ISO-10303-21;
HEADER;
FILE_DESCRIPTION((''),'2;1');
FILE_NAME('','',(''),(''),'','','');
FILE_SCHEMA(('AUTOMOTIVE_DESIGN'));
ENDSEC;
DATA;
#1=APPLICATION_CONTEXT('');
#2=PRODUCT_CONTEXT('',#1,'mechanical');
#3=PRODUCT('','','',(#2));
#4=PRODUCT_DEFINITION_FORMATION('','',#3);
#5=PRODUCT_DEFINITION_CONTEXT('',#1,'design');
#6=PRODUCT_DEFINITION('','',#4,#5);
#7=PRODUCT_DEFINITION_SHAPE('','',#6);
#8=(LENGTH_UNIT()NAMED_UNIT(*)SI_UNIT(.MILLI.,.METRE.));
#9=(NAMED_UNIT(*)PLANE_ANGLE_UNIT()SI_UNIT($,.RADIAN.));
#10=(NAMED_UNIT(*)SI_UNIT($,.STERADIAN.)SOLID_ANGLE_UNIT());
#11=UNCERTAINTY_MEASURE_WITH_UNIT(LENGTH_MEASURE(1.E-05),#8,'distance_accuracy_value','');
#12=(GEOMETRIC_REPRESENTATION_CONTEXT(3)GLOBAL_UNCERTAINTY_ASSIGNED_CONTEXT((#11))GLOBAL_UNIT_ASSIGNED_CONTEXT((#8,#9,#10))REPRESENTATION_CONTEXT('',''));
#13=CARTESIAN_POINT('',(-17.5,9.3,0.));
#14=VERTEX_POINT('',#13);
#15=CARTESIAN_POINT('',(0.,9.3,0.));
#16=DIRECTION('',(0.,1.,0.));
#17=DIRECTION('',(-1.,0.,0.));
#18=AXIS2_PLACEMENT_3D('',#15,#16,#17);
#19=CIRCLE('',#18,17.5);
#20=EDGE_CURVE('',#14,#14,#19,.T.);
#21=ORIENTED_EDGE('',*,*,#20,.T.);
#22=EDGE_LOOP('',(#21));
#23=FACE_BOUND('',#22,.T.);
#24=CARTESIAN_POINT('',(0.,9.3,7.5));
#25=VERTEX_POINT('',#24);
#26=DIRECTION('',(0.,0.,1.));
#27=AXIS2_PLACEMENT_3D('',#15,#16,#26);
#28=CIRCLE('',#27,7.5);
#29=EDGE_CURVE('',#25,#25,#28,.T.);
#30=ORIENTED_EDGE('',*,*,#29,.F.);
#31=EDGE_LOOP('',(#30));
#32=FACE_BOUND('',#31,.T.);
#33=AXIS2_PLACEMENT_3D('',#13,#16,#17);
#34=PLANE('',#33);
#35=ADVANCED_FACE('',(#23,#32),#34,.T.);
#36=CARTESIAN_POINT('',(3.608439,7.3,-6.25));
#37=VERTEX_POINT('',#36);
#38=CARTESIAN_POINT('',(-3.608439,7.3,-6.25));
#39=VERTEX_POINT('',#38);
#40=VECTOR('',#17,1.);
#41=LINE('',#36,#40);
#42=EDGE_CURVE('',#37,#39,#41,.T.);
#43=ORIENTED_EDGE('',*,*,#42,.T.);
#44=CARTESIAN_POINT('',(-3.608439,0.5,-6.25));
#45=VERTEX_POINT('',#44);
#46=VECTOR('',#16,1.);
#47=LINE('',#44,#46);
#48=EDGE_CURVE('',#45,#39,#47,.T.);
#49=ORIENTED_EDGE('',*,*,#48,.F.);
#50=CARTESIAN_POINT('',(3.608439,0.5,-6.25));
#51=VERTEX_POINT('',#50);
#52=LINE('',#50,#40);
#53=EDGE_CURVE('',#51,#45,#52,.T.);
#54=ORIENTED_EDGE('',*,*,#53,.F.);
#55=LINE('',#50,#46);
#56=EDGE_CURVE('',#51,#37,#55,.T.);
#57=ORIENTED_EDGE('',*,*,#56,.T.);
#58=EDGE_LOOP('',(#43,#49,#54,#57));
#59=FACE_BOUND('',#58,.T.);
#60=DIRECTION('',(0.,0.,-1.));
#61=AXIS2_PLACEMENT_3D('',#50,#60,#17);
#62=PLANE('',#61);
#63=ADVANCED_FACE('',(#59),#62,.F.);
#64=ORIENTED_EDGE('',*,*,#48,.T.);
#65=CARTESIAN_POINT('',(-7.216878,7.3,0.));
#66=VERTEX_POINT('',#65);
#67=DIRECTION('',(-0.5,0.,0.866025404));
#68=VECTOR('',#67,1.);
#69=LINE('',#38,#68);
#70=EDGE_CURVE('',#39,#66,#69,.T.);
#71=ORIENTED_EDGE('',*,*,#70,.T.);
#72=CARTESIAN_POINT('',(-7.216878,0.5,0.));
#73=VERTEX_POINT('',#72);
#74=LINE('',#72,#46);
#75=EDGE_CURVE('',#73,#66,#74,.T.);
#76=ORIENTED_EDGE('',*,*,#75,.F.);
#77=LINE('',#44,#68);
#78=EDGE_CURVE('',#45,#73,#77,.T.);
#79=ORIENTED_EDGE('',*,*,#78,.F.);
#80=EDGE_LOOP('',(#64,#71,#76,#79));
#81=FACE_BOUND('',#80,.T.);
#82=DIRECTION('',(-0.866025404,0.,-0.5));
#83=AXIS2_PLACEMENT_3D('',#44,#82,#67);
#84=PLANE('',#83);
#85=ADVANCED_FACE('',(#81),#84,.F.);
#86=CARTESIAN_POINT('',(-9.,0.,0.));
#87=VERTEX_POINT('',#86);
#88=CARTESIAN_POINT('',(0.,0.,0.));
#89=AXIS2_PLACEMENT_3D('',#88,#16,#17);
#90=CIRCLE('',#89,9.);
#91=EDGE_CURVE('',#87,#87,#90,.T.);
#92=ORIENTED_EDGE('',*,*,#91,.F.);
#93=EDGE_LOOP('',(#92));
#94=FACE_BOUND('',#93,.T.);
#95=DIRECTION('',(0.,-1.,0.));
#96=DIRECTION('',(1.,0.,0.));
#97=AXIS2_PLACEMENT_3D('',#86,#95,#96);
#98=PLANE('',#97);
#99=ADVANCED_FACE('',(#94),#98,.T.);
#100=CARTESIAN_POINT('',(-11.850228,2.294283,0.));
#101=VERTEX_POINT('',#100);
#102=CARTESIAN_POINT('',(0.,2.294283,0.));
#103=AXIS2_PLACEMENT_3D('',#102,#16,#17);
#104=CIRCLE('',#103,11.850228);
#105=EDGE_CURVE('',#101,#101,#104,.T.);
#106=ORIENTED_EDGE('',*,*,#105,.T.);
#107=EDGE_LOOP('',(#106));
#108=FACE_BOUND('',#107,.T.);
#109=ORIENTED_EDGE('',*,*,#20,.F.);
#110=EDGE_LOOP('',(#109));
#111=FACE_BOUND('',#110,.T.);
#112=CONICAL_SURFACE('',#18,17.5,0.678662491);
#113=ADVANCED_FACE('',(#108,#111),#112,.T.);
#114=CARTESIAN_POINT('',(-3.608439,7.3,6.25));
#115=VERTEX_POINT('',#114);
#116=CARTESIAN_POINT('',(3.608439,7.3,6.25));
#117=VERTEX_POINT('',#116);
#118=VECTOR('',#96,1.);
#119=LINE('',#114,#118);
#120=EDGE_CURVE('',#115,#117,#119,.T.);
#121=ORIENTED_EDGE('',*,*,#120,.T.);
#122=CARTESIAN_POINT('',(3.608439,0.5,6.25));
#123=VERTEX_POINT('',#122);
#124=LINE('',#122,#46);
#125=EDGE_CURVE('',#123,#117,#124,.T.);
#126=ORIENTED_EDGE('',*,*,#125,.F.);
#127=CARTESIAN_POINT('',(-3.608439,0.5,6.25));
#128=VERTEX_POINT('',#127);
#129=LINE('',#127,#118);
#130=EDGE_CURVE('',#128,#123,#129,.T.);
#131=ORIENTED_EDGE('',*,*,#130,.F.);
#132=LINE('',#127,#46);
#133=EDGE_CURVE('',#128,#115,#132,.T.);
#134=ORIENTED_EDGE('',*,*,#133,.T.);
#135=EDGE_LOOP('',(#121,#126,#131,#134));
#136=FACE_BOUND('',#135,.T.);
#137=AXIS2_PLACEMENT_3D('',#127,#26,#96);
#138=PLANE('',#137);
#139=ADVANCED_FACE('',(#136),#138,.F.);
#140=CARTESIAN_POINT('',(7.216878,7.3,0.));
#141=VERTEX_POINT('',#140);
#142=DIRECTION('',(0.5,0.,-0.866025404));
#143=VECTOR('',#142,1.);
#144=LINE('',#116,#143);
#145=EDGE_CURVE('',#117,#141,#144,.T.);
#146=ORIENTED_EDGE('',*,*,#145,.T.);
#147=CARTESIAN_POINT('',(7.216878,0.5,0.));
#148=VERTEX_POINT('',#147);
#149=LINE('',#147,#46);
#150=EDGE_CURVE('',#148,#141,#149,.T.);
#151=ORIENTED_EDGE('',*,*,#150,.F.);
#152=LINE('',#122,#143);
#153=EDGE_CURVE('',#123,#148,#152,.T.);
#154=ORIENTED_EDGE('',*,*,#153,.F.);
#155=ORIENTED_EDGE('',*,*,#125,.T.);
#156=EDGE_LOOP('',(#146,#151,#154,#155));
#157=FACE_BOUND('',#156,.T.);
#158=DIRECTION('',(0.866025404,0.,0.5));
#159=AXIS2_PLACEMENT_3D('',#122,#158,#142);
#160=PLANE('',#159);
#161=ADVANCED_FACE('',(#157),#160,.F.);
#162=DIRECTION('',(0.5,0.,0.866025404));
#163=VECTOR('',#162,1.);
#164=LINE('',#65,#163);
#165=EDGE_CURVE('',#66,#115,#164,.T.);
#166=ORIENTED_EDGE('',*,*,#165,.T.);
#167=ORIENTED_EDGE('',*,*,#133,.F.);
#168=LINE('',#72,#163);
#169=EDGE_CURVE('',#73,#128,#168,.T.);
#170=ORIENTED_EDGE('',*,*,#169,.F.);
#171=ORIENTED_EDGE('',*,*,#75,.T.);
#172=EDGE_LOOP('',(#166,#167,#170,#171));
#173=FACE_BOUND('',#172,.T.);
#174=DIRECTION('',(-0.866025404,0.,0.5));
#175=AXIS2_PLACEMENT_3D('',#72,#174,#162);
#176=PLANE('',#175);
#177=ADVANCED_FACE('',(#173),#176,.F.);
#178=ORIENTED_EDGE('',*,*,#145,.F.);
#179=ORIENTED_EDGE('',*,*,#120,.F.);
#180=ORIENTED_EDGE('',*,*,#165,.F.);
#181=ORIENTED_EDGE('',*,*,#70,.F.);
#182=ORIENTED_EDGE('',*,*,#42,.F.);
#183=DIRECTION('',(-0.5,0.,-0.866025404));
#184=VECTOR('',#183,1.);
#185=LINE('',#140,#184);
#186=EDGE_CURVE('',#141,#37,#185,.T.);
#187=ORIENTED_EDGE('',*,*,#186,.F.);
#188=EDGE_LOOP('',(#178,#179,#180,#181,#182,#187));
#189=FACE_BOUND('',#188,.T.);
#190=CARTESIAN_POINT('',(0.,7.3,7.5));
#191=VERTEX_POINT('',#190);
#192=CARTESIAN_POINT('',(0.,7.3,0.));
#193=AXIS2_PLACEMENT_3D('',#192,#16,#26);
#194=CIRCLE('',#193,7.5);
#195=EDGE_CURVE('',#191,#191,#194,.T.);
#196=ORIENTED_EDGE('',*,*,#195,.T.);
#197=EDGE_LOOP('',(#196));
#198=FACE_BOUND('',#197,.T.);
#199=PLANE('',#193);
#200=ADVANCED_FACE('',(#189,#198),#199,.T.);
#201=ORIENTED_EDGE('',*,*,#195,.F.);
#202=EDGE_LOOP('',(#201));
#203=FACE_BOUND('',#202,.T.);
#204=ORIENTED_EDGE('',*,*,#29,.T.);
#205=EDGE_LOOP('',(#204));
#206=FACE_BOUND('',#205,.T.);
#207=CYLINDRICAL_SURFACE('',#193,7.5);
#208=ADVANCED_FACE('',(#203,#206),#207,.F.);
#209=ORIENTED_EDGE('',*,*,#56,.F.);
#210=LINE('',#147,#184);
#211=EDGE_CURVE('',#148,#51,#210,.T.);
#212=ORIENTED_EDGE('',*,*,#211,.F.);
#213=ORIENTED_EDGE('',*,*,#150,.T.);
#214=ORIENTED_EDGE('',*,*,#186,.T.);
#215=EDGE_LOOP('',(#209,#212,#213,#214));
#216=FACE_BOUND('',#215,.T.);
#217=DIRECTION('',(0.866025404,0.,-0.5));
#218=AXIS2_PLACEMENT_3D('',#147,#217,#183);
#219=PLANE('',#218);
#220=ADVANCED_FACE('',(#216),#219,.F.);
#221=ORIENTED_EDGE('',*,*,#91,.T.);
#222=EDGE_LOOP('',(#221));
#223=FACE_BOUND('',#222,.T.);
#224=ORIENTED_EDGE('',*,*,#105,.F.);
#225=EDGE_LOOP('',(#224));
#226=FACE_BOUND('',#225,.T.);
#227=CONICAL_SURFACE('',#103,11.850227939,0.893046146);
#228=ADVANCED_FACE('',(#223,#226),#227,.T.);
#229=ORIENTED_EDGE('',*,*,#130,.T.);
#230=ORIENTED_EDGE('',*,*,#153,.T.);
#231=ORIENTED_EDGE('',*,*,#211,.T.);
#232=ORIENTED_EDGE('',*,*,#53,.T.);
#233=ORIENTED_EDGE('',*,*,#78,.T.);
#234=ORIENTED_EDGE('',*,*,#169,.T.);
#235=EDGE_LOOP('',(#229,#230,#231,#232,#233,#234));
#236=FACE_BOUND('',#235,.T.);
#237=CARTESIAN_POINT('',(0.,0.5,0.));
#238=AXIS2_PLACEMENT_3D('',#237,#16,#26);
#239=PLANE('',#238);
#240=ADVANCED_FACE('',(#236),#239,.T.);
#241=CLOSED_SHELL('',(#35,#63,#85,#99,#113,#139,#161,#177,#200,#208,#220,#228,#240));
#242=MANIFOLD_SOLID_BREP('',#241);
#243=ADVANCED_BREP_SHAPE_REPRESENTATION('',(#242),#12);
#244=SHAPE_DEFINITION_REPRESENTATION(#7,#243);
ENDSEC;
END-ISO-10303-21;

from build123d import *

# Parameters (mm, degrees)
SCHIZZO4_R               = 7.5
TAGLIO_ESTRUSIONE1_DEPTH = 2
TAGLIO_ESTRUSIONE2_DEPTH = 6.8


with BuildPart() as part:
    # Schizzo3 → Rivoluzione1 (revolve)
    with BuildSketch(Plane.XY):
        Polygon((-17.5, 9.3), (0, 9.3), (0, 0), (-9, 0), (-11.850227939, 2.294282645), align=None)
    revolve(axis=Axis((0, 9.3, 0), (0, -1, 0)))

    # Schizzo4 → Taglio-Estrusione1 (cut)
    with BuildSketch(Plane(origin=(0, 9.3, 0), x_dir=(1, 0, 0), z_dir=(0, 1, 0))):
        with Locations(Location((0, 0, 0), (0, 0, 270))):
            Circle(SCHIZZO4_R)
    extrude(amount=-TAGLIO_ESTRUSIONE1_DEPTH, mode=Mode.SUBTRACT)

    # Schizzo5 → Taglio-Estrusione2 (cut)
    with BuildSketch(Plane(origin=(0, 7.3, 0), x_dir=(1, 0, 0), z_dir=(0, 1, 0))):
        Polygon((3.608439182, -6.25), (7.216878365, 0), (3.608439182, 6.25), (-3.608439182, 6.25), (-7.216878365, 0), (-3.608439182, -6.25), align=None)
    extrude(amount=-TAGLIO_ESTRUSIONE2_DEPTH, mode=Mode.SUBTRACT)


solid = part.part
